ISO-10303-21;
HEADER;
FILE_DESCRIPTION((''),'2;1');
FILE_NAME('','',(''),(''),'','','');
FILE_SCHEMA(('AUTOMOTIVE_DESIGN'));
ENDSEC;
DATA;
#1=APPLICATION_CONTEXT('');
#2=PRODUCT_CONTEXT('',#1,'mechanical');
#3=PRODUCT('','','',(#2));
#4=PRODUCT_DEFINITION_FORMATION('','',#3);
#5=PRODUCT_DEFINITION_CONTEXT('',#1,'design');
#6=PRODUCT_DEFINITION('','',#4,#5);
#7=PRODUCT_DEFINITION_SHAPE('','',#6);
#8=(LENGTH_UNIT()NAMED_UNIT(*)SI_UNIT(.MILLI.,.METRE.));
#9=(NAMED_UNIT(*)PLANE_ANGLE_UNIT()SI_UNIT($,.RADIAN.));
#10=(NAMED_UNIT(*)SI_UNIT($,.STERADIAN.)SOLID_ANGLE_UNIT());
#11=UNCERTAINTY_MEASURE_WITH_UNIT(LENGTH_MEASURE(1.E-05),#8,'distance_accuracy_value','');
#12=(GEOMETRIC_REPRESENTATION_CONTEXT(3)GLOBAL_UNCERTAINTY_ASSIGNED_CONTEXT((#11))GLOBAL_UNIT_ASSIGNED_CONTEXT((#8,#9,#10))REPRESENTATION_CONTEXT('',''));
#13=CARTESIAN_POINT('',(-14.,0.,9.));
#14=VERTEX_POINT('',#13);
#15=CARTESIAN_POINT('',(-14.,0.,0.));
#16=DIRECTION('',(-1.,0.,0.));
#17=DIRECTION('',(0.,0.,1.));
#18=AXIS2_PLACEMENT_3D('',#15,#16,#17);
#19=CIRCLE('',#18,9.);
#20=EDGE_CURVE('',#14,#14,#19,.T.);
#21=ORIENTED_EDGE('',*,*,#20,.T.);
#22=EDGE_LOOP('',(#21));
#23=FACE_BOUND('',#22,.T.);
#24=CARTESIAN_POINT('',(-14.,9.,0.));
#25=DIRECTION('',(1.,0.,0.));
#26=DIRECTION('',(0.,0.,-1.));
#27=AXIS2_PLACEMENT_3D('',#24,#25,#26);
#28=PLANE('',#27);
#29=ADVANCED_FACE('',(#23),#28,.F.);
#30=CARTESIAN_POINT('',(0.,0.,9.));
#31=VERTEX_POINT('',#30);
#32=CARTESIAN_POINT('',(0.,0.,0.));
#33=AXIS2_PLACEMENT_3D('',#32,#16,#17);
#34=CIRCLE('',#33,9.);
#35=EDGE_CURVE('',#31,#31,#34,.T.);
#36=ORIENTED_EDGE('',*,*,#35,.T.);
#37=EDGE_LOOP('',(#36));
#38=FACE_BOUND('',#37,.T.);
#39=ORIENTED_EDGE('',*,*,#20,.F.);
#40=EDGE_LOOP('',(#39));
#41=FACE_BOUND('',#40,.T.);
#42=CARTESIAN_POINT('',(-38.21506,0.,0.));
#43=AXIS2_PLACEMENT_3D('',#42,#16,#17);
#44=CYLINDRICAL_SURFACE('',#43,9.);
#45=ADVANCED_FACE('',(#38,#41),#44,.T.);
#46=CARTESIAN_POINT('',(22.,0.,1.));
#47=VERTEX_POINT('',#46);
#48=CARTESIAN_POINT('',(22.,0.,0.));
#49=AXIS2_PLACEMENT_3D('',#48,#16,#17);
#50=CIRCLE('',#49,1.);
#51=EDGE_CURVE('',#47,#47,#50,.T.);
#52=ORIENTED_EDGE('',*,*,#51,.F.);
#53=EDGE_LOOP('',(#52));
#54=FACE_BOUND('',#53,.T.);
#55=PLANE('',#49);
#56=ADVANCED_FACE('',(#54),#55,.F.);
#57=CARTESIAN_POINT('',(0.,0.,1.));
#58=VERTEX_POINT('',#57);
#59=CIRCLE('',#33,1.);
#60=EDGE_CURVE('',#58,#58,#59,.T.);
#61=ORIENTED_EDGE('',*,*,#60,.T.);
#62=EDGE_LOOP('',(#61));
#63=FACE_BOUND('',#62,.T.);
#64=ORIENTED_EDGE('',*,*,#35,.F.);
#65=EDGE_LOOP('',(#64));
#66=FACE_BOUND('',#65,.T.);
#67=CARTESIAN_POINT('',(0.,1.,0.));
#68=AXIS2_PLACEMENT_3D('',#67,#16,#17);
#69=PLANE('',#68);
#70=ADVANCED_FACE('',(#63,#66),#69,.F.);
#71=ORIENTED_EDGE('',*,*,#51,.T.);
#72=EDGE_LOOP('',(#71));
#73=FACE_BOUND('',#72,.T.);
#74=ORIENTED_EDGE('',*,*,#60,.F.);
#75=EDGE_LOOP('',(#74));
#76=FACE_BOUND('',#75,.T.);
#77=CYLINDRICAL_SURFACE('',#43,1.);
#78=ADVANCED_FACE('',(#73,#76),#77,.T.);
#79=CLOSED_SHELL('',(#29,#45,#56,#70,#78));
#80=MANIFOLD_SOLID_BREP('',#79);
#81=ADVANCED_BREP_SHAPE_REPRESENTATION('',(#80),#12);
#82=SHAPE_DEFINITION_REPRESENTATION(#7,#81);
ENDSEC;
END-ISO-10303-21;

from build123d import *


with BuildPart() as part:
    # Esquisse1 → Révolution1 (revolve)
    with BuildSketch(Plane.XY):
        Polygon((22, 0), (22, 1), (0, 1), (0, 9), (-14, 9), (-14, 0), align=None)
    revolve(axis=Axis((-38.215059524, 0, 0), (1, 0, 0)))


solid = part.part
